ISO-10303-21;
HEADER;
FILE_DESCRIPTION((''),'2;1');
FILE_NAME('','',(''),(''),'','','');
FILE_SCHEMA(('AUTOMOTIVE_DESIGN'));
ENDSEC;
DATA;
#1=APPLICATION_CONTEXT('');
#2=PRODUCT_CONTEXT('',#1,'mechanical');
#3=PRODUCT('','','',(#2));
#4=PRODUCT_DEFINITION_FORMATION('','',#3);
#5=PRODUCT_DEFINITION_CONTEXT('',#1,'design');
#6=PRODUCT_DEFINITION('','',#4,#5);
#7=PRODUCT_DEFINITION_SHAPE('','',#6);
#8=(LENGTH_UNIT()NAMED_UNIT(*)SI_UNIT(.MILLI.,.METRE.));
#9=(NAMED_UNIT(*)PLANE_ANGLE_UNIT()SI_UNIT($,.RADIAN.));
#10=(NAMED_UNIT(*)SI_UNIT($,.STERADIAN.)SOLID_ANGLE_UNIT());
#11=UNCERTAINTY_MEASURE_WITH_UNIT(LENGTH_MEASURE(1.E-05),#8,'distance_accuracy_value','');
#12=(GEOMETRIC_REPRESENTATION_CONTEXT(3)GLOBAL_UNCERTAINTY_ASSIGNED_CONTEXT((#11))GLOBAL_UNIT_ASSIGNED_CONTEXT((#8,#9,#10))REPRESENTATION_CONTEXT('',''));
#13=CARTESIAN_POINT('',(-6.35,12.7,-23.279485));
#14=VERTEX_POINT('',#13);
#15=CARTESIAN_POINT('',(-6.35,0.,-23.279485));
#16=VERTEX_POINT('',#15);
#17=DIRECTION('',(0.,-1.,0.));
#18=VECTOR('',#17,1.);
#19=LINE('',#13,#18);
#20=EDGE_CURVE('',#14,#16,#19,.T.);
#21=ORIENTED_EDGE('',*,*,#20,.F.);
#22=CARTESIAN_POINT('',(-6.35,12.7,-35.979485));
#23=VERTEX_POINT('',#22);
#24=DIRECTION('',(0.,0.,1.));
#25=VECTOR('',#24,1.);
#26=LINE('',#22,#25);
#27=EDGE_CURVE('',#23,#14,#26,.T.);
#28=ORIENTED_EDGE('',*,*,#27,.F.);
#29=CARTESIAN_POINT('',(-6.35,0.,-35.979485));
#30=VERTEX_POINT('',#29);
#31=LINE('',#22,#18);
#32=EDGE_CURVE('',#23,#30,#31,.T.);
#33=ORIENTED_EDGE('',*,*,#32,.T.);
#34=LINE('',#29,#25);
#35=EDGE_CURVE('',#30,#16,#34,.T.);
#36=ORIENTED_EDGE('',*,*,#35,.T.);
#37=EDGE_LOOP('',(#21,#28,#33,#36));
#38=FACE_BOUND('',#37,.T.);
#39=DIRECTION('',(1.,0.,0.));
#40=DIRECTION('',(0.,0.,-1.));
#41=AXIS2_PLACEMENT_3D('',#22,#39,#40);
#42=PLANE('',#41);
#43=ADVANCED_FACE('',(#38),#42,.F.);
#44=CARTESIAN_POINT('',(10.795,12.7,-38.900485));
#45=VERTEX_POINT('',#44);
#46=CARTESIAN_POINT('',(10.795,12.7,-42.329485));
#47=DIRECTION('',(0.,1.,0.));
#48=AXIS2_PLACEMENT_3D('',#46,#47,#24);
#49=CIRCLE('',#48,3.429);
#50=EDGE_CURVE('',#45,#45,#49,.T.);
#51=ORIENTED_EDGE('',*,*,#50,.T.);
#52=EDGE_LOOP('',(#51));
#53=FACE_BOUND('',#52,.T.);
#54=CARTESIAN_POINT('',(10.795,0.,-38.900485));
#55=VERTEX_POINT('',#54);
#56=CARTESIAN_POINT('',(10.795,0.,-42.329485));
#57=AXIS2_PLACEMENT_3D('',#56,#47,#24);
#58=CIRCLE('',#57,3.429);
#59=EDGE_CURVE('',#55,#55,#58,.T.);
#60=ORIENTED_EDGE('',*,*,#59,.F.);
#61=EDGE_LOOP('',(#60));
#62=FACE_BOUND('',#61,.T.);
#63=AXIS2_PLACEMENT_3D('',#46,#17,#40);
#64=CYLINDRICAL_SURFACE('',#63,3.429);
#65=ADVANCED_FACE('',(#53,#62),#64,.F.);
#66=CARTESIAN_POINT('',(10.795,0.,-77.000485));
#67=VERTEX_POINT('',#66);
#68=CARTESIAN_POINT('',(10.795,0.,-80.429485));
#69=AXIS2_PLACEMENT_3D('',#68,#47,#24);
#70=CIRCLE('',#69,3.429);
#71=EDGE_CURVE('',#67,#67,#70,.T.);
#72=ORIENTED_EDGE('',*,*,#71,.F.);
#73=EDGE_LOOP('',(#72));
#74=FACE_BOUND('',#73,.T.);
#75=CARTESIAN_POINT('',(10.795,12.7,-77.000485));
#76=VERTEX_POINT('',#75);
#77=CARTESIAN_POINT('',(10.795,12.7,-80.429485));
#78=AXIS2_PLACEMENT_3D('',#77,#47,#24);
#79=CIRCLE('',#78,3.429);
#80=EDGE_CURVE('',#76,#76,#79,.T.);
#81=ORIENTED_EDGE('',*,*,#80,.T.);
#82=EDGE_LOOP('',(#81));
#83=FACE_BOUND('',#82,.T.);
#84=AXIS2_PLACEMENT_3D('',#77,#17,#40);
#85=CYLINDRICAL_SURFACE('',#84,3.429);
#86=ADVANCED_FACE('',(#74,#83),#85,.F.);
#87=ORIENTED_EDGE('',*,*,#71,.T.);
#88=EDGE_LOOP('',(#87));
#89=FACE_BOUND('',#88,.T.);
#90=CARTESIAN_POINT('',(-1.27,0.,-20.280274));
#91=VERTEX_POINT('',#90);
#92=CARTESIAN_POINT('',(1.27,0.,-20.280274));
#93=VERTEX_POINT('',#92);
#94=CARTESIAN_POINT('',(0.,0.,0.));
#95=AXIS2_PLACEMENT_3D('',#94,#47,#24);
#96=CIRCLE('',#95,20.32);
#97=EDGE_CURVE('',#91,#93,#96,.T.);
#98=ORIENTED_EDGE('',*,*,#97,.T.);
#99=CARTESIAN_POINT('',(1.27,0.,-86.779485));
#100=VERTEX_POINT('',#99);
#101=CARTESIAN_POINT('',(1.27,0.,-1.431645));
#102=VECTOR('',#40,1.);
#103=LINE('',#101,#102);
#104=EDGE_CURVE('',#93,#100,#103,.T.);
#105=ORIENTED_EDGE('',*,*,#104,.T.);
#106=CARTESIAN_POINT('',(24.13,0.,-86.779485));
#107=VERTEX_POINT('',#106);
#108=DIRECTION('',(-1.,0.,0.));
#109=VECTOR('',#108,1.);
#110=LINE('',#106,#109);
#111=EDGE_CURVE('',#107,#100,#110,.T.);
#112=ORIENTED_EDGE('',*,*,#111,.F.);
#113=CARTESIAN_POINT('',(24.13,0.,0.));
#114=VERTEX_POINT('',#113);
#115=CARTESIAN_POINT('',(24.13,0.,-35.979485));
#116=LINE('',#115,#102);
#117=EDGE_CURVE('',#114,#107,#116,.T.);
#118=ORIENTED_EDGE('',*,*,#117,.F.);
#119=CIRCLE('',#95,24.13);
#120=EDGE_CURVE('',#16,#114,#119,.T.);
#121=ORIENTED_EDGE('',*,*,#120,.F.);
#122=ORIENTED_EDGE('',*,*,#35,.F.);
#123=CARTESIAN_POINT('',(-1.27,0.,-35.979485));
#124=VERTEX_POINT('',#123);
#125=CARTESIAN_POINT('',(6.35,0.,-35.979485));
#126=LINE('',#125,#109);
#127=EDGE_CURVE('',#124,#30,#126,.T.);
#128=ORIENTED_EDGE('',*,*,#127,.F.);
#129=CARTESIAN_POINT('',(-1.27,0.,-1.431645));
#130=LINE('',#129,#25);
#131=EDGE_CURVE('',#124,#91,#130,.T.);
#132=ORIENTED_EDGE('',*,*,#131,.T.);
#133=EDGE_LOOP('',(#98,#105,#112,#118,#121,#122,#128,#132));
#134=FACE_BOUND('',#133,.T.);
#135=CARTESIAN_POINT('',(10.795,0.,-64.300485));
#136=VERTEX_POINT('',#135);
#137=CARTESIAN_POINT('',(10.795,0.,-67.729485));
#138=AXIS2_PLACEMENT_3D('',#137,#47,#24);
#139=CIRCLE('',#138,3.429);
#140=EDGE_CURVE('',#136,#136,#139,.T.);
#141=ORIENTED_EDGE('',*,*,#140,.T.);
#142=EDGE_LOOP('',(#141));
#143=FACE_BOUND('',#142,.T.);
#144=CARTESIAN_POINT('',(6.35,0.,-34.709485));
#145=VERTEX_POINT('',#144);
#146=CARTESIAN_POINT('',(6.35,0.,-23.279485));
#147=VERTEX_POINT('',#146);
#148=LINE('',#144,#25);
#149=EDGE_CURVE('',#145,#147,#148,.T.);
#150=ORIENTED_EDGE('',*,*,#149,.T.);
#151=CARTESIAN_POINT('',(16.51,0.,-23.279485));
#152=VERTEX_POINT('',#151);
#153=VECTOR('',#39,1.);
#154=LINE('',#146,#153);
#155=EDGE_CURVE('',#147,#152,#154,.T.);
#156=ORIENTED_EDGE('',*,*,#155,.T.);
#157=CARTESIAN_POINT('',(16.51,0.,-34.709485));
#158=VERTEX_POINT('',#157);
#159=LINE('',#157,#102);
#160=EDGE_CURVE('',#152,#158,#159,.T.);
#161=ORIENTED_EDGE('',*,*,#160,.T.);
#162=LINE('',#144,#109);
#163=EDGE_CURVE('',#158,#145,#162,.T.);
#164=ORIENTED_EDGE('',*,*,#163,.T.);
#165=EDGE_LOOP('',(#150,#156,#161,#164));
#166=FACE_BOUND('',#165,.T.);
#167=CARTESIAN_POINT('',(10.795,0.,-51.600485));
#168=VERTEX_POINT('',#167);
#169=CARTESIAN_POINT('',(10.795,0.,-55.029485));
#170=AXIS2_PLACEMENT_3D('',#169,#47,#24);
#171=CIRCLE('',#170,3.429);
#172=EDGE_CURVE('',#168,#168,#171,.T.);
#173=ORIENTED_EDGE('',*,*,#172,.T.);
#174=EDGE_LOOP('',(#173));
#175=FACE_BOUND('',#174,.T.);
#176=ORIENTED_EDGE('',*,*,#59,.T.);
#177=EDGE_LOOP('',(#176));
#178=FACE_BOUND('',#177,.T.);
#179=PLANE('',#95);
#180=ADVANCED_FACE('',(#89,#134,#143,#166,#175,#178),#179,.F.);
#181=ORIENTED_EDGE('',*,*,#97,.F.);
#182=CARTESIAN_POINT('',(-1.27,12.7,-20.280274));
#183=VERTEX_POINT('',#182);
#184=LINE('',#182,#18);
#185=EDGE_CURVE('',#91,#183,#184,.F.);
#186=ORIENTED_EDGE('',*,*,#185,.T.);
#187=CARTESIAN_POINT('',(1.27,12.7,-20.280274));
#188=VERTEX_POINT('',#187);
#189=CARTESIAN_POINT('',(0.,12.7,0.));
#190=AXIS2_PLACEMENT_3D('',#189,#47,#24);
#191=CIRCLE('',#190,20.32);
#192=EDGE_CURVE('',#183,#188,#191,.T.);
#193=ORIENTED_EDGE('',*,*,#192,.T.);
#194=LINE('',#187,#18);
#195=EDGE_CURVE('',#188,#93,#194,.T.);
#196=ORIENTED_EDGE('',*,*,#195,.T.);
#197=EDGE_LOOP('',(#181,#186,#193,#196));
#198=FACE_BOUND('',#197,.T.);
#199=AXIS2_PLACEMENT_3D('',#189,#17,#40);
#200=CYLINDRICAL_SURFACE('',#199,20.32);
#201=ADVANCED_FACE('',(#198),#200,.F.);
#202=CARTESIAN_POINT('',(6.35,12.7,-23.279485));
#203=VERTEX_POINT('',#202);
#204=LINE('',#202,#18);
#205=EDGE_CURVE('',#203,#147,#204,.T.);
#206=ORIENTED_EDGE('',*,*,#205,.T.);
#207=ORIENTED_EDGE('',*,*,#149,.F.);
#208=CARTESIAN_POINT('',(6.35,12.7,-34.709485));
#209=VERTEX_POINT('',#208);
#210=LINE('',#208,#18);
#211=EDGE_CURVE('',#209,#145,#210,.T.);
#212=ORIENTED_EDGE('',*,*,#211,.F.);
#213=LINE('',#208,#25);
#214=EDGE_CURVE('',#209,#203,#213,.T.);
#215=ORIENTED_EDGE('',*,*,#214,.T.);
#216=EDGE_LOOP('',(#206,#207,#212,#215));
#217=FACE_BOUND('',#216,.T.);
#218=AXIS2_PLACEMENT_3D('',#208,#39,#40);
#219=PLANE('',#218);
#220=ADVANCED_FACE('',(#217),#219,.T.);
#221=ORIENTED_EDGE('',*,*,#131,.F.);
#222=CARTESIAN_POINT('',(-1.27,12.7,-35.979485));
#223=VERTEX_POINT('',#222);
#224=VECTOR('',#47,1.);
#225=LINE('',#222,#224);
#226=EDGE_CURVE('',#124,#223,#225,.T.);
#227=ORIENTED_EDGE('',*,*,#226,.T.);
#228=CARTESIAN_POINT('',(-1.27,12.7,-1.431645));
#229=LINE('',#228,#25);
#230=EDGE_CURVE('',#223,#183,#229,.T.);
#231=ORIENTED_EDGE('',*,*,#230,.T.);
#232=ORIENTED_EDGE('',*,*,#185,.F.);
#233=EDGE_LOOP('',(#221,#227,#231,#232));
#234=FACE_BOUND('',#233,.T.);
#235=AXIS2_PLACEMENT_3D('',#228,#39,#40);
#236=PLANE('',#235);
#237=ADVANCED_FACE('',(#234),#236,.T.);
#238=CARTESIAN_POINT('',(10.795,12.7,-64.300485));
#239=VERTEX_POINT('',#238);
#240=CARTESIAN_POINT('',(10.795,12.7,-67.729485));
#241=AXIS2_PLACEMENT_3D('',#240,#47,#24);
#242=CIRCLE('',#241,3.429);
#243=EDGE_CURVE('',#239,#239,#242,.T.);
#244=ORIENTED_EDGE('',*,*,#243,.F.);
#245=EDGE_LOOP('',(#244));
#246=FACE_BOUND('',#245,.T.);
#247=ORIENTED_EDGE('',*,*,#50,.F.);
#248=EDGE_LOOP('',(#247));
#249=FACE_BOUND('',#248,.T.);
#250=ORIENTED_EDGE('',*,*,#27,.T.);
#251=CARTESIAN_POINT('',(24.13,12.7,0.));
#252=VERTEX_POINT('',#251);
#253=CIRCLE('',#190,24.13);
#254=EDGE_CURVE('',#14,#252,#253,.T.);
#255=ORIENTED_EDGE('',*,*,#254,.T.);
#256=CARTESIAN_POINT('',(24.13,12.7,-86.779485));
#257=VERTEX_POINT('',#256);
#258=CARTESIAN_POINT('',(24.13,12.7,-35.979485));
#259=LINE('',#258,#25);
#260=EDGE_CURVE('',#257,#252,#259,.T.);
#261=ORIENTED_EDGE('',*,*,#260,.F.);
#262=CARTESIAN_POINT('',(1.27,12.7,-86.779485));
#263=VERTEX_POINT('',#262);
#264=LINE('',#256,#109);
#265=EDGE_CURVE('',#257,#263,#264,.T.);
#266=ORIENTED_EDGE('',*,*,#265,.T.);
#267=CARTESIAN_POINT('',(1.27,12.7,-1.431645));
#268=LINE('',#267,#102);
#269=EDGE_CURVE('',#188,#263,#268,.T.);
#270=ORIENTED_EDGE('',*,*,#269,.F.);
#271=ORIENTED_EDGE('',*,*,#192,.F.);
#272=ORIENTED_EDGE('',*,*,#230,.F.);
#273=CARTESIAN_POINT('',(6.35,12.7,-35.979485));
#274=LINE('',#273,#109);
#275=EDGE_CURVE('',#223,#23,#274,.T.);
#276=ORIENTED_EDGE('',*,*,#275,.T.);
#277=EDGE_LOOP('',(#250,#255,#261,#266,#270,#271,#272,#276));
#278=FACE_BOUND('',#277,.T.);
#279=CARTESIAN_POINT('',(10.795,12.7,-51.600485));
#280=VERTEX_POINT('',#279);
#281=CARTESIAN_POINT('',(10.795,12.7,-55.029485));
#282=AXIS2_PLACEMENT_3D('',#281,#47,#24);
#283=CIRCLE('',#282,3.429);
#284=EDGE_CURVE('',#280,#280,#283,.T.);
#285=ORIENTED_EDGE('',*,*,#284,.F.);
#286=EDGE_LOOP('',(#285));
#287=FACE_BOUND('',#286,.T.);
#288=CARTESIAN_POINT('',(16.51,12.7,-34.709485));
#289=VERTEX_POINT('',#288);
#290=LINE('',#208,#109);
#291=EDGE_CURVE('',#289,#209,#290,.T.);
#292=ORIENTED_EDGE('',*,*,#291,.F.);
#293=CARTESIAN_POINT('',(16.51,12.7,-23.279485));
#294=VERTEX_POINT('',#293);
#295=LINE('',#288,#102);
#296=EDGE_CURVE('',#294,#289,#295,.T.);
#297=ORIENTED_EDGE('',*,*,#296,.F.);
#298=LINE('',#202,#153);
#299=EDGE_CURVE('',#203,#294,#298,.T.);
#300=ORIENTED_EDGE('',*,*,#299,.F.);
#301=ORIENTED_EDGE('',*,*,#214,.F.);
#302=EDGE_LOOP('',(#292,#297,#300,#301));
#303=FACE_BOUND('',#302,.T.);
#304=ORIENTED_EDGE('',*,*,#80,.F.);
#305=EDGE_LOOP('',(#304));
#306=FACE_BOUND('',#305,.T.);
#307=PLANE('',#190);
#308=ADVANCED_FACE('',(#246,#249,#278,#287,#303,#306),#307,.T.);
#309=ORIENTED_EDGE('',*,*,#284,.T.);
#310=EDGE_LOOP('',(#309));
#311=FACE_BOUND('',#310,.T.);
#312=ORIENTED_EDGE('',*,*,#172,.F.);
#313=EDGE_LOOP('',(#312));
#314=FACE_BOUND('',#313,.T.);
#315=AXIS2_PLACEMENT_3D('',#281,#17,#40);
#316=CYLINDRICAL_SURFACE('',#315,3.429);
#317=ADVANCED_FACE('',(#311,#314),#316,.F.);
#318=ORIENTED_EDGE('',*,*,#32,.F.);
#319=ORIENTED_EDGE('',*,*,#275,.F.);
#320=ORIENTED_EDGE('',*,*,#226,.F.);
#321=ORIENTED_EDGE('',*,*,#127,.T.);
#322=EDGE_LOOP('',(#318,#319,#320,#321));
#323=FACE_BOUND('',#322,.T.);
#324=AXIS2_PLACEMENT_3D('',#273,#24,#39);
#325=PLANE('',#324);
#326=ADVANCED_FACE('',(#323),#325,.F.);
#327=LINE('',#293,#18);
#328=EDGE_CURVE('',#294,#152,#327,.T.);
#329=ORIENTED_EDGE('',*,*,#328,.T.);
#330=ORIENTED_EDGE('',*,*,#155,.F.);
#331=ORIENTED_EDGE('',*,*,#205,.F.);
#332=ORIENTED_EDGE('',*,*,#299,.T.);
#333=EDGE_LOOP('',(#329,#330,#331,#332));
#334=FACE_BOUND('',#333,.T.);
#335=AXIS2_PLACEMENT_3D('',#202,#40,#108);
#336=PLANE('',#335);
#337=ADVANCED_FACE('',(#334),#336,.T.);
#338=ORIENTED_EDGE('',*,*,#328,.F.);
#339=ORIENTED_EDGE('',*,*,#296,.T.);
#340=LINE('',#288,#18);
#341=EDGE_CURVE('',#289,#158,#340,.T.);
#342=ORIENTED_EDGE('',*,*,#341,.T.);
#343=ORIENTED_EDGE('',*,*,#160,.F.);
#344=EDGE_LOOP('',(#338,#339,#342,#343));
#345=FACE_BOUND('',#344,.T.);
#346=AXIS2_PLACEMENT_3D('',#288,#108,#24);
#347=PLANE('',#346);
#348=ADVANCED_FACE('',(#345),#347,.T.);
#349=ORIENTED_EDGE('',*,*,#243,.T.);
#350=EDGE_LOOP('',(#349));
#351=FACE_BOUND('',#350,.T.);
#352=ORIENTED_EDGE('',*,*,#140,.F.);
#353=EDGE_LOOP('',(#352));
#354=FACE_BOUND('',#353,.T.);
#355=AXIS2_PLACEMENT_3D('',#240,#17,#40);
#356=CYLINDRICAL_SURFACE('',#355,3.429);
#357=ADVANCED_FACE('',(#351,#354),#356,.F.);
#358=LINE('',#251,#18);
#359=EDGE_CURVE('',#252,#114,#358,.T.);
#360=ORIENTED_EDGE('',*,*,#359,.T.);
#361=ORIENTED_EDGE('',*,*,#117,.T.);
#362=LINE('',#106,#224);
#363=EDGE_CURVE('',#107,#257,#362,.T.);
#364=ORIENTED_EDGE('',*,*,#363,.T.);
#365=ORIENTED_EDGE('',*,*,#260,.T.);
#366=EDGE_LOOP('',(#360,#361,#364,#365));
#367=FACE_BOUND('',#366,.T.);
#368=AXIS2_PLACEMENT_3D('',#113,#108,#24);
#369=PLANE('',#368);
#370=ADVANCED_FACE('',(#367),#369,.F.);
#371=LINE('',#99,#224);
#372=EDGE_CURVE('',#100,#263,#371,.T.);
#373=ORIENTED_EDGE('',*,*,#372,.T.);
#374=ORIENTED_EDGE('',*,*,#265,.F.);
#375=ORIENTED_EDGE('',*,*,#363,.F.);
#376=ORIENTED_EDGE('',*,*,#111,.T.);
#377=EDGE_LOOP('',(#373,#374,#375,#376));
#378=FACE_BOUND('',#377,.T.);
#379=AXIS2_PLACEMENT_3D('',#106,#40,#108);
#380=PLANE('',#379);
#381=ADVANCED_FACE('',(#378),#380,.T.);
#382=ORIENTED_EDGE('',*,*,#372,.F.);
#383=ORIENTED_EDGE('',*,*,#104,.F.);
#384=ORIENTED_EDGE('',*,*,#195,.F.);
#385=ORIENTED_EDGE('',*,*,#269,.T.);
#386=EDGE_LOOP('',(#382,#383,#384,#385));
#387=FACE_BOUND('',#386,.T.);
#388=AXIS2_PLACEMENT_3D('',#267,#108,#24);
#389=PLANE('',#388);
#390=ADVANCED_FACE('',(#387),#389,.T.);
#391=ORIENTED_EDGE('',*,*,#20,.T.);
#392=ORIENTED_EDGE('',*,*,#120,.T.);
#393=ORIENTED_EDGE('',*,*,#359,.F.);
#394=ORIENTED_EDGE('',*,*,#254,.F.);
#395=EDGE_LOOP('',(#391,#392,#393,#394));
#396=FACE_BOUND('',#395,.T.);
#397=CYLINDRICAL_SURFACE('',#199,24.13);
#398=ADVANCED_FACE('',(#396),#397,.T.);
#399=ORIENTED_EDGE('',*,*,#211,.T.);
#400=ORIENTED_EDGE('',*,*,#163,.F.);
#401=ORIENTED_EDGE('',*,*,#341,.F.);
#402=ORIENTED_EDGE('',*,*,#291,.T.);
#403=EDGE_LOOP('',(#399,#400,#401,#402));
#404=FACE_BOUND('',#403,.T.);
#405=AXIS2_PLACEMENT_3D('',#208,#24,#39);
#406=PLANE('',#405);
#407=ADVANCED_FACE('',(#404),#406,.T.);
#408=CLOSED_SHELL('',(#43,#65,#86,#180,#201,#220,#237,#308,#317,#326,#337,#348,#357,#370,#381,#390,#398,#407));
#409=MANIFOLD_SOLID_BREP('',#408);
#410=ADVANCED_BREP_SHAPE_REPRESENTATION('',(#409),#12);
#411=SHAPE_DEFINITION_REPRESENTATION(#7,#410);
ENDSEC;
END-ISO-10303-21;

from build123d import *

# Parameters (mm, degrees)
SKETCH1_R           = 24.13
SKETCH1_R_2         = 20.32
BOSS_EXTRUDE1_DEPTH = 12.7
SKETCH2_W           = 12.7
SKETCH2_H           = 12.7
BOSS_EXTRUDE2_DEPTH = 12.7
SKETCH4_W           = 2.54
SKETCH4_H           = 58.988343485
CUT_EXTRUDE2_DEPTH  = 46.144990941
BOSS_EXTRUDE3_REACH = 68.615
BOSS_EXTRUDE3_START = 17.78
SKETCH5_W           = 35.97948453
SKETCH5_H           = 12.7
SKETCH6_W           = 22.86
SKETCH6_H           = 50.8
BOSS_EXTRUDE4_DEPTH = 12.7
SKETCH7_R           = 3.429
SKETCH7_W           = 10.16
SKETCH7_H           = 11.43
CUT_EXTRUDE3_DEPTH  = 91.9627717


with BuildPart() as part:
    # Sketch1 → Boss-Extrude1 (new body)
    with BuildSketch(Plane(origin=(0, 0, 0), x_dir=(1, 0, 0), z_dir=(0, 1, 0))):
        with Locations(Location((0, 0, 0), (0, 0, 270))):
            Circle(SKETCH1_R)
        with Locations(Location((0, 0, 0), (0, 0, 270))):
            Circle(SKETCH1_R_2, mode=Mode.SUBTRACT)
    extrude(amount=BOSS_EXTRUDE1_DEPTH)

    # Sketch2 → Boss-Extrude2 (add)
    with BuildSketch(Plane(origin=(0, 0, 0), x_dir=(1, 0, 0), z_dir=(0, 1, 0))):
        with Locations((0, 29.62948453)):
            Rectangle(SKETCH2_W, SKETCH2_H)
    extrude(amount=BOSS_EXTRUDE2_DEPTH)

    # Sketch4 → Cut-Extrude2 (cut, through all)
    with BuildSketch(Plane(origin=(0, 0, 0), x_dir=(1, 0, 0), z_dir=(0, 1, 0))):
        with Locations((0, 30.925816426)):
            Rectangle(SKETCH4_W, SKETCH4_H)
    extrude(amount=CUT_EXTRUDE2_DEPTH, mode=Mode.SUBTRACT)

    # Sketch5 → Boss-Extrude3 (add, up to next)
    with BuildSketch(Plane(origin=(6.35, 0, 0), x_dir=(0, 0, -1), z_dir=(1, 0, 0)).offset(BOSS_EXTRUDE3_START), mode=Mode.PRIVATE) as boss_extrude3_sk1:
        with Locations((17.989742265, 6.35)):
            Rectangle(SKETCH5_W, SKETCH5_H)
    boss_extrude3_tool1 = extrude(boss_extrude3_sk1.sketch, amount=-BOSS_EXTRUDE3_REACH, mode=Mode.PRIVATE) - part.part
    add(boss_extrude3_tool1.solids().sort_by_distance((24.13, 6.35, -17.989742))[0])

    # Sketch6 → Boss-Extrude4 (add)
    with BuildSketch(Plane(origin=(0, 12.7, 0), x_dir=(1, 0, 0), z_dir=(0, 1, 0))):
        with Locations((12.7, 61.37948453)):
            Rectangle(SKETCH6_W, SKETCH6_H)
    extrude(amount=-BOSS_EXTRUDE4_DEPTH)

    # Sketch7 → Cut-Extrude3 (cut, through all)
    with BuildSketch(Plane(origin=(0, 0, 0), x_dir=(1, 0, 0), z_dir=(0, 1, 0))):
        with Locations(Location((10.795, 80.42948453, 0), (0, 0, 270))):
            Circle(SKETCH7_R)
        with Locations((36.195, 80.42948453)):
            Circle(SKETCH7_R)
        with Locations((36.195, 67.72948453)):
            Circle(SKETCH7_R)
        with Locations(Location((10.795, 67.72948453, 0), (0, 0, 270))):
            Circle(SKETCH7_R)
        with Locations(Location((10.795, 55.02948453, 0), (0, 0, 270))):
            Circle(SKETCH7_R)
        with Locations((36.195, 55.02948453)):
            Circle(SKETCH7_R)
        with Locations(Location((10.795, 42.32948453, 0), (0, 0, 270))):
            Circle(SKETCH7_R)
        with Locations((36.195, 42.32948453)):
            Circle(SKETCH7_R)
        with Locations((11.43, 28.99448453)):
            Rectangle(SKETCH7_W, SKETCH7_H)
    extrude(amount=CUT_EXTRUDE3_DEPTH, mode=Mode.SUBTRACT)


solid = part.part
